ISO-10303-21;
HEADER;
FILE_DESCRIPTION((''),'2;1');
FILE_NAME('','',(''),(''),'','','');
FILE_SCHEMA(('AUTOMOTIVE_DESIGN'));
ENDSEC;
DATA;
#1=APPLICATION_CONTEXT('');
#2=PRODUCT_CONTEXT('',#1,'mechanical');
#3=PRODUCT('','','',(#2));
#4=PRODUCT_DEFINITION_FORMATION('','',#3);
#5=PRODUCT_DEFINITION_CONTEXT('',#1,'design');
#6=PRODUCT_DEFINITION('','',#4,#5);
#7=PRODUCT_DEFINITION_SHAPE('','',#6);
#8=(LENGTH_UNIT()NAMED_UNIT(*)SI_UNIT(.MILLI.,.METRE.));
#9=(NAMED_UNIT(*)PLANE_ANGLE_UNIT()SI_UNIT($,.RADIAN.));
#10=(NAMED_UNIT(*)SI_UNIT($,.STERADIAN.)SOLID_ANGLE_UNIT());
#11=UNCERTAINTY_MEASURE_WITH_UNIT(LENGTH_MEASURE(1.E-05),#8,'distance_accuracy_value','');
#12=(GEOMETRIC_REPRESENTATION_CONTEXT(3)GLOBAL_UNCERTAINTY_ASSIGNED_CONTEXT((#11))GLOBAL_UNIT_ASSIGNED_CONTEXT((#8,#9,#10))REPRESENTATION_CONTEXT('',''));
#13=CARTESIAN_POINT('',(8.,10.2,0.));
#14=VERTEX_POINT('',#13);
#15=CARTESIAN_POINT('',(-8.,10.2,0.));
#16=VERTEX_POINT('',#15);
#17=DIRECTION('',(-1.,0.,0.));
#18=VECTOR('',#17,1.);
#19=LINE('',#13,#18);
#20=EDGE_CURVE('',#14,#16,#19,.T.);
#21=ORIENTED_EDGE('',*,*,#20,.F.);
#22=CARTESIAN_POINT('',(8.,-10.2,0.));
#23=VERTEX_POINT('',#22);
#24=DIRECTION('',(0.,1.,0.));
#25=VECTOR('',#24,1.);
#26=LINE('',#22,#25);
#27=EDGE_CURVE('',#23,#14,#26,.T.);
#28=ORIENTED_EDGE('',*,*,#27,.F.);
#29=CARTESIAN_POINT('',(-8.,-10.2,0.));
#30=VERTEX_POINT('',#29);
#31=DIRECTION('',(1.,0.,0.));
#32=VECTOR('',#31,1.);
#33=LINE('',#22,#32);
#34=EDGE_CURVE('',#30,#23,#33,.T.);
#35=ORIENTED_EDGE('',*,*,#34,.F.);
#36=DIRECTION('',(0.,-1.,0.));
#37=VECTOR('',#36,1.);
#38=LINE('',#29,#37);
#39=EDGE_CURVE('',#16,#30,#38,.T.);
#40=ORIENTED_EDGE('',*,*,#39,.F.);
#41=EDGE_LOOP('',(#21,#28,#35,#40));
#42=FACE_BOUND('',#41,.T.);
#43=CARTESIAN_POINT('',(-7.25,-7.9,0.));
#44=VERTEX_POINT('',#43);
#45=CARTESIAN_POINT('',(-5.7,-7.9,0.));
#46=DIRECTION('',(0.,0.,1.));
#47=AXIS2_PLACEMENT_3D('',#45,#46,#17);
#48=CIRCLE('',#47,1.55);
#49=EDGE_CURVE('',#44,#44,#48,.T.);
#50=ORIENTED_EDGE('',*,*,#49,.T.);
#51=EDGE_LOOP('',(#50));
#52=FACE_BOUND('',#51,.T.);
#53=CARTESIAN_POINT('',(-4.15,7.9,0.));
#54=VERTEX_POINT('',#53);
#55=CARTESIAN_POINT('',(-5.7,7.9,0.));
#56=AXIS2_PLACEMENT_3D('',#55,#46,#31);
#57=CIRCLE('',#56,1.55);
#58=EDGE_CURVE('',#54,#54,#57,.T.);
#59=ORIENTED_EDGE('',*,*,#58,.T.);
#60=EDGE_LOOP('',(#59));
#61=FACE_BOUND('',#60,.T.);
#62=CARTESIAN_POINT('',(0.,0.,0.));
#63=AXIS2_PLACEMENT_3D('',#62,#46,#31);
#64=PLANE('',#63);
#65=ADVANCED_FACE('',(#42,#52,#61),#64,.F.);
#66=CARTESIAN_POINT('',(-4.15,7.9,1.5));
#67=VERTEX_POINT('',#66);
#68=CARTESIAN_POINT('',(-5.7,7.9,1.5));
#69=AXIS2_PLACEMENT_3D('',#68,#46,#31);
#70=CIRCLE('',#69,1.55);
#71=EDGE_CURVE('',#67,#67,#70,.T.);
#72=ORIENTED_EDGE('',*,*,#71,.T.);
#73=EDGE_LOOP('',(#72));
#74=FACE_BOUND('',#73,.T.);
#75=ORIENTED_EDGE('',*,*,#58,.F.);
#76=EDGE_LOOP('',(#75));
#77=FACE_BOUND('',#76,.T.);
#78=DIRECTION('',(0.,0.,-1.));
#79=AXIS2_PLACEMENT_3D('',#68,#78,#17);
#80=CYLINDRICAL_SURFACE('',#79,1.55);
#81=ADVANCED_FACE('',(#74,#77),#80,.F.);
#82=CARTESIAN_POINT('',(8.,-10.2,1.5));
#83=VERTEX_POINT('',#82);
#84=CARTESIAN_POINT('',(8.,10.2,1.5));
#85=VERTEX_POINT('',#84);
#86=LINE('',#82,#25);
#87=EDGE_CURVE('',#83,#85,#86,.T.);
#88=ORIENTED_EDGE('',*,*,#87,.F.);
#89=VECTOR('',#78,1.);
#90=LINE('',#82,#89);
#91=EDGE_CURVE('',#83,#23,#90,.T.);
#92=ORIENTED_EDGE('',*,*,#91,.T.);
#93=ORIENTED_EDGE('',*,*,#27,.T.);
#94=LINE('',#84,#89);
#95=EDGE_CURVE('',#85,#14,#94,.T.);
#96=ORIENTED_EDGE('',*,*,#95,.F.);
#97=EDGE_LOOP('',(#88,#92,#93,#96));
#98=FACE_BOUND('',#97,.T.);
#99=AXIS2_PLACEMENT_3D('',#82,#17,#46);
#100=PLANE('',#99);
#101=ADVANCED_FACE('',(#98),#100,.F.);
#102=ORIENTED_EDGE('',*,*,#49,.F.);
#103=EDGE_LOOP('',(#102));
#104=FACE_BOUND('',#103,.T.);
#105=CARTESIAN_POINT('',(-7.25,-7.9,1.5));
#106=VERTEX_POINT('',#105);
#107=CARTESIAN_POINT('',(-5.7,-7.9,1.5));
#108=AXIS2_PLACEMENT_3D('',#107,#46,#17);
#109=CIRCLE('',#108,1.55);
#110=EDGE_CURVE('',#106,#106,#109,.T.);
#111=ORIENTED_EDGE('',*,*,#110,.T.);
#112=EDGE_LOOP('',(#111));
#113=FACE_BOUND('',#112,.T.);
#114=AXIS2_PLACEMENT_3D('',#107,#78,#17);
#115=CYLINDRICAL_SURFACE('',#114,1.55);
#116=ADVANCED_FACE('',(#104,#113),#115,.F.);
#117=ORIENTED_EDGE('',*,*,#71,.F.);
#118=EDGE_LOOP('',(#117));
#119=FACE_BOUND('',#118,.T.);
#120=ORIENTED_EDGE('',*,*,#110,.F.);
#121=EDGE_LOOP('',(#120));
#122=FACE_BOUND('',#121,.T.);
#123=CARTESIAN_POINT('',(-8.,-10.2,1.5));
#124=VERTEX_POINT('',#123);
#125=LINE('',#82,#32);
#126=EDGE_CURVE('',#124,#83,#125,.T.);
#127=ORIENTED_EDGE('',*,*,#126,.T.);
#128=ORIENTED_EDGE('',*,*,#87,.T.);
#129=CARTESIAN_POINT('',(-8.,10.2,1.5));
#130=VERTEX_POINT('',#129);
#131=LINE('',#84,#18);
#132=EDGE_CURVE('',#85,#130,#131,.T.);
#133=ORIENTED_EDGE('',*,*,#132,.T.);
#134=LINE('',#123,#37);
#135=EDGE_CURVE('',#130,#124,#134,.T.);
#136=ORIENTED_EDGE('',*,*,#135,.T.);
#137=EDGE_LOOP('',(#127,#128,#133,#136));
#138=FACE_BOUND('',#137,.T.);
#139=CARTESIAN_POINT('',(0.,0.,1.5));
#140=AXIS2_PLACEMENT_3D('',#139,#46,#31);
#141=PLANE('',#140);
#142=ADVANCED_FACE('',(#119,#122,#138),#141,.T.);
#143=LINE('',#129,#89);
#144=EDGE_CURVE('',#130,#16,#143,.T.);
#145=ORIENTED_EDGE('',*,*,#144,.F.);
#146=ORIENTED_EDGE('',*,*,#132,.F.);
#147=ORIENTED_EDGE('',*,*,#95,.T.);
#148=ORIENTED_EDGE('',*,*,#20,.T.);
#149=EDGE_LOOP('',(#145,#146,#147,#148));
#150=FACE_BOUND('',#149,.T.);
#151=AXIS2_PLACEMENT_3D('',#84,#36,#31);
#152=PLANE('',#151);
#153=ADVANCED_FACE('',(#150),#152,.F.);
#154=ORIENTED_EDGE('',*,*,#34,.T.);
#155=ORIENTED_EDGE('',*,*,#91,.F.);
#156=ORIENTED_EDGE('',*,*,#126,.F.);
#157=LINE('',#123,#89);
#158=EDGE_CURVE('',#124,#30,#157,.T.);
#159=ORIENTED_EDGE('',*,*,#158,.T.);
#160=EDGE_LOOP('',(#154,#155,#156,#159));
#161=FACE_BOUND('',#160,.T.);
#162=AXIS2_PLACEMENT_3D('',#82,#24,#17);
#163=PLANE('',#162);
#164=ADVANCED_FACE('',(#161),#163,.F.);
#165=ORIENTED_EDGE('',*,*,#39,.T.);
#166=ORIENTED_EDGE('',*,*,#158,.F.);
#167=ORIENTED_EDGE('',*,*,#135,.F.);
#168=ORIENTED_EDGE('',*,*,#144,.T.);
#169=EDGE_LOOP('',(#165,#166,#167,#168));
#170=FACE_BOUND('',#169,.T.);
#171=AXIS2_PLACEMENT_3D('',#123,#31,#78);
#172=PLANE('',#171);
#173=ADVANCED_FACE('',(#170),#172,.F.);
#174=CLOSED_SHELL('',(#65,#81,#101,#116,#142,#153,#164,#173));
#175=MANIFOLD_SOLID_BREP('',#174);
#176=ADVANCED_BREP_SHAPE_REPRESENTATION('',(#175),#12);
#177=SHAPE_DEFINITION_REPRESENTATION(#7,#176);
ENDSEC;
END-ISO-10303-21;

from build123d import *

# Parameters (mm, degrees)
SKETCH1_W           = 16
SKETCH1_H           = 20.4
SKETCH1_R           = 1.55
BOSS_EXTRUDE1_DEPTH = 1.5


with BuildPart() as part:
    # Sketch1 → Boss-Extrude1 (new body)
    with BuildSketch(Plane.XY):
        Rectangle(SKETCH1_W, SKETCH1_H)
        with Locations((-5.7, 7.9)):
            Circle(SKETCH1_R, mode=Mode.SUBTRACT)
        with Locations((-5.7, -7.9)):
            Circle(SKETCH1_R, mode=Mode.SUBTRACT)
    extrude(amount=BOSS_EXTRUDE1_DEPTH)


solid = part.part
